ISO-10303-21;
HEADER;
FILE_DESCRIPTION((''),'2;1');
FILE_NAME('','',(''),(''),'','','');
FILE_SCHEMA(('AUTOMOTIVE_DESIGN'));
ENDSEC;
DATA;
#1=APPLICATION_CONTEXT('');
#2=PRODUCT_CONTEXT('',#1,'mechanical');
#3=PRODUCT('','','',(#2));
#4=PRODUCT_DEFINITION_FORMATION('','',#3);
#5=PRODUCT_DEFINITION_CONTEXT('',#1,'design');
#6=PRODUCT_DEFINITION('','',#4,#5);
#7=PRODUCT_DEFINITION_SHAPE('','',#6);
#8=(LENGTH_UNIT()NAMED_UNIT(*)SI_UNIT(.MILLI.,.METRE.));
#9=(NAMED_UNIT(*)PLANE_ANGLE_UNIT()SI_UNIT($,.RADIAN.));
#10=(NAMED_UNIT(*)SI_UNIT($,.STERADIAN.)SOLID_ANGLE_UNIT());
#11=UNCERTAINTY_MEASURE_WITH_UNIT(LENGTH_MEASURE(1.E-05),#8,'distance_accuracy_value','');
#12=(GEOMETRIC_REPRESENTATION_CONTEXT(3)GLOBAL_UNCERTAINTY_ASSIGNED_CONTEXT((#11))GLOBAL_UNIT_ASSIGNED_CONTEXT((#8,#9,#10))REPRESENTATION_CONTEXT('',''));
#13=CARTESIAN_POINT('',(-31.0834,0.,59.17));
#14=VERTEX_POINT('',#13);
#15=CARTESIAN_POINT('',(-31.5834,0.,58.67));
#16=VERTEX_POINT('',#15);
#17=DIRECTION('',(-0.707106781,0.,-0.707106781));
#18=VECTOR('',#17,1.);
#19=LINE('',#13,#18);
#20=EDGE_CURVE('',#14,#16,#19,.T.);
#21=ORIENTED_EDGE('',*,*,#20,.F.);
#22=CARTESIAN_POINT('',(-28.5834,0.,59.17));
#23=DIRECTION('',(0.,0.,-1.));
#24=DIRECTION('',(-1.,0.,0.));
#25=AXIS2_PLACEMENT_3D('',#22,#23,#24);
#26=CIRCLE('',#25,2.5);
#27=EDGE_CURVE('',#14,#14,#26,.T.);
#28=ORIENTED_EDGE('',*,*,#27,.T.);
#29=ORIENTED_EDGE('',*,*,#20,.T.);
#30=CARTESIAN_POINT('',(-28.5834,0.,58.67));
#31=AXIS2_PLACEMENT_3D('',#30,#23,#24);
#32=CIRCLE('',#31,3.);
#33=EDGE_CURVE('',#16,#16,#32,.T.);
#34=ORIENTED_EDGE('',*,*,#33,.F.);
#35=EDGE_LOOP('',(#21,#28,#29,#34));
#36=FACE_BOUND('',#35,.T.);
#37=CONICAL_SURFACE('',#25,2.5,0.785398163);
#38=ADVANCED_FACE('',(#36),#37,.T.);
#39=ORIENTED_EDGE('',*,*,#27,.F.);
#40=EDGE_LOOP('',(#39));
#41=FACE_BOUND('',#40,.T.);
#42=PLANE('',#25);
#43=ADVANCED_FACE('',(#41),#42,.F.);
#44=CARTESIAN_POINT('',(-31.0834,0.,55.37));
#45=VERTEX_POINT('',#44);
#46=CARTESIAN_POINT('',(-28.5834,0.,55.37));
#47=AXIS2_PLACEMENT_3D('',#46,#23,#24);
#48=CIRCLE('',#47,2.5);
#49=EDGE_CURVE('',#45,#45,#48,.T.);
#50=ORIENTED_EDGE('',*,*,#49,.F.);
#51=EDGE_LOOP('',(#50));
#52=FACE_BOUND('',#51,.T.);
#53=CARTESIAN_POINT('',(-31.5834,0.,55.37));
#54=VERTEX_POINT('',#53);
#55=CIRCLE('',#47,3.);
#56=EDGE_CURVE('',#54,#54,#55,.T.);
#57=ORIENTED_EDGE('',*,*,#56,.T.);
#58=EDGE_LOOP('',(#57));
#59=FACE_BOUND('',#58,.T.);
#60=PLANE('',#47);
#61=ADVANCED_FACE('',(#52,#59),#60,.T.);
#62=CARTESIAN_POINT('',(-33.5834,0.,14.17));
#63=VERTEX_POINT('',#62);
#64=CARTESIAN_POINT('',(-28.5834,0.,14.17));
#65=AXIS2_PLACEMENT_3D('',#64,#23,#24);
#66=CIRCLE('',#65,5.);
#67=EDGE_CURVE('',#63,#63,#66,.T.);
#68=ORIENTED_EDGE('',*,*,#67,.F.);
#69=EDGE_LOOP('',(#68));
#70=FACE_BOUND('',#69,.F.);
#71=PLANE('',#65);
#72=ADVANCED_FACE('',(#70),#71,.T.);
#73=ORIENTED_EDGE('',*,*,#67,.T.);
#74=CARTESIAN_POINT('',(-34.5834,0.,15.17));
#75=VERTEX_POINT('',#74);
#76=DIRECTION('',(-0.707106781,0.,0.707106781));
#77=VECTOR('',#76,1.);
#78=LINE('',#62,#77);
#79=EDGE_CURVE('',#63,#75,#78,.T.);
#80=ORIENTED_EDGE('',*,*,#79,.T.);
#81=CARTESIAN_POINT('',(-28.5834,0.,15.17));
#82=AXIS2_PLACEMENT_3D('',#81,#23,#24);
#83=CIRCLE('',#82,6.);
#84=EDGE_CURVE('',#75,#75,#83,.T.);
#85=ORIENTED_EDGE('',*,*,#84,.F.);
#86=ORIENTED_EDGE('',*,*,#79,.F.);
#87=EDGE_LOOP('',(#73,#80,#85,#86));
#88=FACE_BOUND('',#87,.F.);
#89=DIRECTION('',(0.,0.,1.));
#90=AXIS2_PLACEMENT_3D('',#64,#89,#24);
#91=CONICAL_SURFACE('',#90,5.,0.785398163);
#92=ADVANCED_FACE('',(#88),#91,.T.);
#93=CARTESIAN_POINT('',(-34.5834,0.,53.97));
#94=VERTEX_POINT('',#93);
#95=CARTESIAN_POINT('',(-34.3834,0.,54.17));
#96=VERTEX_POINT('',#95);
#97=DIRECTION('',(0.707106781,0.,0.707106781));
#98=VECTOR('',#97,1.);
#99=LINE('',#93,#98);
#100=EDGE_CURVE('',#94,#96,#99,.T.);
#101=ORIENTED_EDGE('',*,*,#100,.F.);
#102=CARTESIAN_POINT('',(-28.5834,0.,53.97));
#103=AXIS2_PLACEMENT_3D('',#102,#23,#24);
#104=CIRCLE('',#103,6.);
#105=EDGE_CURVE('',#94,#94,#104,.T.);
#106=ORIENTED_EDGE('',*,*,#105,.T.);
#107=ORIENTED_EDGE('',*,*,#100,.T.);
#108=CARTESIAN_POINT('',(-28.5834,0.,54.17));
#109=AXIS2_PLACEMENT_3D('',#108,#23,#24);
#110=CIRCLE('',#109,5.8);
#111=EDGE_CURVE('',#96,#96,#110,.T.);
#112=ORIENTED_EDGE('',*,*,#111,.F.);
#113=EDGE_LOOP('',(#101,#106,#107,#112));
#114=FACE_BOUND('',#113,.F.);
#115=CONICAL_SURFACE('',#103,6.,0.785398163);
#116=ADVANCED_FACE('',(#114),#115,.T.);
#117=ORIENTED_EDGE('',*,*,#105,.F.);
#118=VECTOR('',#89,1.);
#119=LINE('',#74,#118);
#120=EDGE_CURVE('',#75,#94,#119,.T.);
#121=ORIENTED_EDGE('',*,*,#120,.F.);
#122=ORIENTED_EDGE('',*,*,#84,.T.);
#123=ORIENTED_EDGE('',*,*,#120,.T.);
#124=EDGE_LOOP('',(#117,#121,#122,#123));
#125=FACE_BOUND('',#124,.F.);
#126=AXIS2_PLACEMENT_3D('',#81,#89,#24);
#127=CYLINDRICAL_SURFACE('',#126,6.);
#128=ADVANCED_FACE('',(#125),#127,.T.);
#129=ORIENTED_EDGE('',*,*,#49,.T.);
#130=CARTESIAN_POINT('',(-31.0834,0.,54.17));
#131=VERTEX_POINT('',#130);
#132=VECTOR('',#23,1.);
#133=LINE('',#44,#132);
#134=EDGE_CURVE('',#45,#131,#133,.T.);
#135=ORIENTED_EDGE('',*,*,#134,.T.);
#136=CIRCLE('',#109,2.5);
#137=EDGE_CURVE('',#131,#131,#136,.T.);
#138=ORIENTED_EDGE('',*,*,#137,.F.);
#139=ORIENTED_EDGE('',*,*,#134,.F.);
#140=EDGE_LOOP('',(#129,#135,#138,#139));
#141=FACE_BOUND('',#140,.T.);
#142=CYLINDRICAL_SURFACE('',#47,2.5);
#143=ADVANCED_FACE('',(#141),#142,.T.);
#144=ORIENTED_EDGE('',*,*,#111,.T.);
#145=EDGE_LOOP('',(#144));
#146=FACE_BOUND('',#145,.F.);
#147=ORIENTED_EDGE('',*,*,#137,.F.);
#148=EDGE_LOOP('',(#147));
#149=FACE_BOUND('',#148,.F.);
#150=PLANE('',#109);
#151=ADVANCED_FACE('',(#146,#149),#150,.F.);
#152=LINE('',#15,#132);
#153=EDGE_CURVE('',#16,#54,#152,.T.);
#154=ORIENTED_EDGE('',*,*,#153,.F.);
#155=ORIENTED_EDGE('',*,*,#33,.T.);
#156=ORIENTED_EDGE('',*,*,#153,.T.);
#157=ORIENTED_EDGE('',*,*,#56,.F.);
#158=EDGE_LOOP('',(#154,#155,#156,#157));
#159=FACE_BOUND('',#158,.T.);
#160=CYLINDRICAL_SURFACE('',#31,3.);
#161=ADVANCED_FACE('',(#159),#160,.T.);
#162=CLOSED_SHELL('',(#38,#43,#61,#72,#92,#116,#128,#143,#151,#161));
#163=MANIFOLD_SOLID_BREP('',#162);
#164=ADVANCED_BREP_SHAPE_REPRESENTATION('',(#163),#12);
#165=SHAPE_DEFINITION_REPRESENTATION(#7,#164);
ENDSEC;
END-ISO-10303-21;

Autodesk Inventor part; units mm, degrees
ref_plane "YZ Plane" through (0, 0, 0) normal (1, 0, 0) x (0, 1, 0)
ref_plane "XZ Plane" through (0, 0, 0) normal (0, 1, 0) x (-1, 0, 0)
ref_plane "XY Plane" through (0, 0, 0) normal (0, 0, 1) x (1, 0, 0)
sketch "スケッチ1" plane through (0, 0, 0) normal (0, 1, 0) x (-1, 0, 0)
  circle A0 centre (28.5834, 76.5526) radius 3
  circle A1 centre (28.5834, 76.5526) radius 6
  line L0 (22.5834, 53.97) -> (22.5834, 15.17)
  line L1 (34.5834, 15.17) -> (34.5834, 53.97)
  line L2 (34.3834, 54.17) -> (22.7834, 54.17)
  line L3 (34.5834, 53.97) -> (22.5834, 53.97)
  line L4 (31.0834, 59.17) -> (31.5834, 58.67)
  line L5 (31.5834, 58.67) -> (31.5834, 55.37)
  line L6 (31.0834, 55.37) -> (31.0834, 54.17)
  line L7 (25.5834, 55.37) -> (25.5834, 58.67)
  line L8 (25.5834, 58.67) -> (26.0834, 59.17)
  line L9 (22.7834, 54.17) -> (22.5834, 53.97)
  line L10 (26.0834, 54.17) -> (26.0834, 55.37)
  line L11 (26.0834, 59.17) -> (31.0834, 59.17)
  line L12 (31.5834, 55.37) -> (25.5834, 55.37)
  line L13 (25.5834, 58.67) -> (31.5834, 58.67)
  circle A2 centre (28.5834, 49.17) radius 2
  line L14 (34.5834, 53.97) -> (34.3834, 54.17)
  line L15 (23.5834, 14.17) -> (33.5834, 14.17)
  line L16 (34.5834, 15.17) -> (22.5834, 15.17)
  line L17 (22.5834, 15.17) -> (23.5834, 14.17)
  line L18 (33.5834, 14.17) -> (34.5834, 15.17)
  line L19 (22.2839, 93.8265) -> (34.3573, 93.8265)
  circle A3 centre (28.5834, 76.5526) radius 2.5
  line L20 (31.0834, 59.17) -> (31.0834, 55.37)
  line L21 (26.0834, 55.37) -> (26.0834, 59.17)
  line L22 (28.5834, 59.8312) -> (28.5834, 13.6756)
  line L23 (28.5834, 83.2838) -> (28.5834, 69.8215)
  line L24 (35.6367, 76.5526) -> (21.5301, 76.5526)
  line L25 (31.4196, 49.17) -> (25.9045, 49.17)
  point P0 (0, 0)
  point P1 (46.1521, 14.1073)
  point P2 (22.8046, 94.5122)
  point P3 (28.5834, 14.17)
  point P4 (28.5834, 59.17)
revolve "回転1" add sketch "スケッチ1" angle 360 about axis through (-28.5834, 0, 59.8312) along (0, 0, -1) picked at (29.9, 49.3183) picked at (29.9, 49.0217) contours L22 L2 L14 L3 | L3 L1 L16 L22 A2 | L16 L18 L15 L22 | L22 L12 L6 L2 | A2 L25 L22 | L22 L25 A2 | L22 L13 L20 L12 | L20 L13 L5 L12 | L22 L11 L20 L13 | L20 L4 L13
thread "ねじ1" size "M6x1" class "6g" standard "ANSI Metric M Profile" full length
properties part number "rod" material "ステンレス鋼"
